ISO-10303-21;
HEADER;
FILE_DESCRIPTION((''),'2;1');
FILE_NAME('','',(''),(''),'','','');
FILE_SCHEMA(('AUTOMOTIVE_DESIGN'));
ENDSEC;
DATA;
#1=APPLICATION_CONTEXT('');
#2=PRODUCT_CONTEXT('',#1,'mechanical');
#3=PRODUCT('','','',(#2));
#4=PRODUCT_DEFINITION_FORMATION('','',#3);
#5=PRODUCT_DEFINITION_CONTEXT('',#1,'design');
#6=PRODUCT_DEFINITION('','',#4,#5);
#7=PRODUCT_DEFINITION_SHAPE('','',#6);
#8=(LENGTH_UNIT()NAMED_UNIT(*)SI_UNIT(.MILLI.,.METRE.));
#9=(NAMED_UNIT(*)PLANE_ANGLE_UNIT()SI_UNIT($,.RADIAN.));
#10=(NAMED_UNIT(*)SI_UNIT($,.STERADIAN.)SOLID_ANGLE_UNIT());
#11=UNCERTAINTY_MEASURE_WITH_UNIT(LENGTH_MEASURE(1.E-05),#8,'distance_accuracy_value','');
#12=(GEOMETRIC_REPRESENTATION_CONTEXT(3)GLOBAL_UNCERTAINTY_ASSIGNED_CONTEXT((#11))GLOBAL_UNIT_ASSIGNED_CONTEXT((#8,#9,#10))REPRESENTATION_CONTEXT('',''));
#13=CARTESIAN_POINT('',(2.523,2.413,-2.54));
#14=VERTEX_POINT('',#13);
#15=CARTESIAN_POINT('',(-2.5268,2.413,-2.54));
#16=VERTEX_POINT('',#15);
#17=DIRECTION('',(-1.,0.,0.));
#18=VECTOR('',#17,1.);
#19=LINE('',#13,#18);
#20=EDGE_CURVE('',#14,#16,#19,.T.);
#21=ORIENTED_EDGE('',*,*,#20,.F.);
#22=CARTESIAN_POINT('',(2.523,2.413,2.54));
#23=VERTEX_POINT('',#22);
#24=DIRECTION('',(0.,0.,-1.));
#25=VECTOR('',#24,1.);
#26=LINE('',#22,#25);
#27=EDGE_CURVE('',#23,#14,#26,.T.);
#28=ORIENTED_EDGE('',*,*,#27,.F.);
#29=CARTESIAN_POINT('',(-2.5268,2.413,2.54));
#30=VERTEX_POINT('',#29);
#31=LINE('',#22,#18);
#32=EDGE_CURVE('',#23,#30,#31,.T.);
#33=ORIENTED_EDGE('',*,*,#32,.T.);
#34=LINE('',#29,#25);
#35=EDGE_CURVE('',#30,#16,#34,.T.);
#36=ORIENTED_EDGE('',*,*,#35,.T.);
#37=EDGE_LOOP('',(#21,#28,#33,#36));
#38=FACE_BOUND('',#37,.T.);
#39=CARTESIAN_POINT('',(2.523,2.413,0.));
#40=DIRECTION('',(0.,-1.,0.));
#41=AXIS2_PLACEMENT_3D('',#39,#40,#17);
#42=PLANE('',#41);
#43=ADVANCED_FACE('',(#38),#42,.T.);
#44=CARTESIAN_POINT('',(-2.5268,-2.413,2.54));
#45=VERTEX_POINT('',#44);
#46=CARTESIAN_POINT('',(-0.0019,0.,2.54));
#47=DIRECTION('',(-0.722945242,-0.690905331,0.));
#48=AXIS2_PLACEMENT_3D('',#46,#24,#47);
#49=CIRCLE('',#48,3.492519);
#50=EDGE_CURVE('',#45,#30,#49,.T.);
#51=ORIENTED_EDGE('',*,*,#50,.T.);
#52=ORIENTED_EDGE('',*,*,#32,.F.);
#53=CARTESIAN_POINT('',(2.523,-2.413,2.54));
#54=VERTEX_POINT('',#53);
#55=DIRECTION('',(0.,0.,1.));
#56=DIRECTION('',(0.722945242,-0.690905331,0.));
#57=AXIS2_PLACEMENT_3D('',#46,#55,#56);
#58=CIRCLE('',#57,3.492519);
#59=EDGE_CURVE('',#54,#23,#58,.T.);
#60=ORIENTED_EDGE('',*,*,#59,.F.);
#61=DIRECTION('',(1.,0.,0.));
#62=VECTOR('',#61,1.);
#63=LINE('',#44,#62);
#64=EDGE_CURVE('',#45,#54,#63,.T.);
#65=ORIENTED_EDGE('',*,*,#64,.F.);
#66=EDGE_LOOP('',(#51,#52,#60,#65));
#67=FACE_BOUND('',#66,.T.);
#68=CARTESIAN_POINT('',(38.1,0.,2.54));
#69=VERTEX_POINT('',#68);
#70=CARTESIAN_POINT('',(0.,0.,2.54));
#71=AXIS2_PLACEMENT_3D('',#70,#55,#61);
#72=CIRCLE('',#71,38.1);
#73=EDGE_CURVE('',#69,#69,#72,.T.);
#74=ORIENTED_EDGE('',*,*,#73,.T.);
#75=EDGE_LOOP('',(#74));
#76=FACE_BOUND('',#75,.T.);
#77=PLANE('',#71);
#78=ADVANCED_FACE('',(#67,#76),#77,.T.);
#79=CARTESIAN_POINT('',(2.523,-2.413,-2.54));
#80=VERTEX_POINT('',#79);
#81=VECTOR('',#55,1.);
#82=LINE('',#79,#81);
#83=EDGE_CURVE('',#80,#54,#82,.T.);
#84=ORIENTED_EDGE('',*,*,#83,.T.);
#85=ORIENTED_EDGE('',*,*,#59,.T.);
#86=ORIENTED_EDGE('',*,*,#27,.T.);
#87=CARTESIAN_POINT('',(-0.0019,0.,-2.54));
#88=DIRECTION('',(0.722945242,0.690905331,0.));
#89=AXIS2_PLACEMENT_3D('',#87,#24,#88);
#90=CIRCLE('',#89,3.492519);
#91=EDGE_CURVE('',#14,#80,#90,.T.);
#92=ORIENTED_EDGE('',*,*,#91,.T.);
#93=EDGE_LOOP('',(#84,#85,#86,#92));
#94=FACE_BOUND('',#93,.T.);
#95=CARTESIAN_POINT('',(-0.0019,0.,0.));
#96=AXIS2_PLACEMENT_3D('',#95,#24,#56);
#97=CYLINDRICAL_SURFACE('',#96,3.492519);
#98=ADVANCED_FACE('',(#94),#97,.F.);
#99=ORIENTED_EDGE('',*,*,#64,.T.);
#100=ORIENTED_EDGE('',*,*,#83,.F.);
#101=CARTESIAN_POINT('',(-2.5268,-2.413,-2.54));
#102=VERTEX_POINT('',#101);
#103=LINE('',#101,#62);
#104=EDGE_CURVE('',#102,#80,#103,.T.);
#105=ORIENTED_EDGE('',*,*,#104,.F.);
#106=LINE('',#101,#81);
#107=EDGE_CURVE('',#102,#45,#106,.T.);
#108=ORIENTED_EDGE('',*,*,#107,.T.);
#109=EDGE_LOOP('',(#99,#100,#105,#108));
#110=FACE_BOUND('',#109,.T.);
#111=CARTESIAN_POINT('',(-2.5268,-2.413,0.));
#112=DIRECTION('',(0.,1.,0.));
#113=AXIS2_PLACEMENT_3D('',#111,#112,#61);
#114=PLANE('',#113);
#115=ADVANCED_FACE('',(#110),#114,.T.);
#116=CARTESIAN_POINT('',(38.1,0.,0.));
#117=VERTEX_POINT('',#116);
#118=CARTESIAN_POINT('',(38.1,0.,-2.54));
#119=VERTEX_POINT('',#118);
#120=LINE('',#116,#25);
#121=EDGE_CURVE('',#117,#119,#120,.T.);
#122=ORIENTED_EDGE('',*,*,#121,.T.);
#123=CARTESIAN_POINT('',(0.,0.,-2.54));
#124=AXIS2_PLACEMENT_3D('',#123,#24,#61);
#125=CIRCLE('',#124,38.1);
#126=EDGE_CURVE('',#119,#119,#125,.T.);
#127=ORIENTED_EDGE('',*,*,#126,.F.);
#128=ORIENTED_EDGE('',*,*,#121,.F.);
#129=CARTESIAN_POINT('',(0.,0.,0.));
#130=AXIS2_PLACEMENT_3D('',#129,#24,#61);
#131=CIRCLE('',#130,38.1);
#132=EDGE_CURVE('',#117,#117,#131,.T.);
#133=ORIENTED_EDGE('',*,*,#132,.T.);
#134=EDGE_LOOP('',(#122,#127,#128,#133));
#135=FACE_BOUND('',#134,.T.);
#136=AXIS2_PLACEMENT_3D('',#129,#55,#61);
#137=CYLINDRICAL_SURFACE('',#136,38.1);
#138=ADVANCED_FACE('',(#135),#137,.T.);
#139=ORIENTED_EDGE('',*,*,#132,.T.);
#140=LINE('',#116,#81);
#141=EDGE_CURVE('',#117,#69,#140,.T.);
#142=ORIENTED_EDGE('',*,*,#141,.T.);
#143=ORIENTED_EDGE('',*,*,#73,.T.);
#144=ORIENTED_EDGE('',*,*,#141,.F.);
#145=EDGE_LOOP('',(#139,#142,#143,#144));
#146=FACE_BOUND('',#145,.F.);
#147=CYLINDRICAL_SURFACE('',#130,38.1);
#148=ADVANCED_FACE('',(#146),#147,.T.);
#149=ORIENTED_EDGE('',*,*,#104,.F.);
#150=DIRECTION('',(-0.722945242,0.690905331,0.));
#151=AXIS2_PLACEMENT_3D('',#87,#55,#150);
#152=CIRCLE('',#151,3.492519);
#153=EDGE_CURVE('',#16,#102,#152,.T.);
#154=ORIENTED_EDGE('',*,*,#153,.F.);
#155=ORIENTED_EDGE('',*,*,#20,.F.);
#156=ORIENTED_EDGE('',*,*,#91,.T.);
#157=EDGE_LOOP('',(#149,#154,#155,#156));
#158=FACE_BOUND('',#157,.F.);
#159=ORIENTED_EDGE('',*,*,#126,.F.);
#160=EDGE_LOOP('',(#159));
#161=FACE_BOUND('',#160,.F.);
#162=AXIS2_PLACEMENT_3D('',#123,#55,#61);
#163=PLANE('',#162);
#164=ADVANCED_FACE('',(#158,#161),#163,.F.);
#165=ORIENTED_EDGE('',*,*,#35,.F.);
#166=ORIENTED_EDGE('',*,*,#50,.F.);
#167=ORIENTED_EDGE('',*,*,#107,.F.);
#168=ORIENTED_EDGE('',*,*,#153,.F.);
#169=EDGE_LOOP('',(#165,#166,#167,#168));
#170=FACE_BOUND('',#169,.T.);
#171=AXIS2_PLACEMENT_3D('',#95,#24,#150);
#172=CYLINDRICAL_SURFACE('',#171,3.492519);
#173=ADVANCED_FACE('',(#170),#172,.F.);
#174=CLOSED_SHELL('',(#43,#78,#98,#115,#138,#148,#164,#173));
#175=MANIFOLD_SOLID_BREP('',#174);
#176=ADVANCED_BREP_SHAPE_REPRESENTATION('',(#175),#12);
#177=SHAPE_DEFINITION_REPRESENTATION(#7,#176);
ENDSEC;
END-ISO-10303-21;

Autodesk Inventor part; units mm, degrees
ref_plane "YZ Plane" through (0, 0, 0) normal (1, 0, 0) x (0, 1, 0)
ref_plane "XZ Plane" through (0, 0, 0) normal (0, 1, 0) x (-1, 0, 0)
ref_plane "XY Plane" through (0, 0, 0) normal (0, 0, 1) x (1, 0, 0)
sketch "Sketch1" plane through (0, 0, 0) normal (0, 0, 1) x (1, 0, 0)
  circle A0 centre (0, 0) radius 38.1
  circle A1 centre (0, 0) radius 0.88
  line L0 (-2.5268, -2.413) -> (2.523, -2.413)
  line L1 (2.523, 2.413) -> (-2.5268, 2.413)
  line L2 (-53.34, 0) -> (53.34, 0) projected
  arc A2 (2.523, -2.413) -> (2.523, 2.413) centre (-0.0019, 0) ccw
  arc A3 (-2.5268, 2.413) -> (-2.5268, -2.413) centre (-0.0019, 0) ccw
  dimension "d0" = 76.2
  dimension "d1" = 1.76
  dimension "d4" = 2.413
  dimension "d6" = 3.4925
  dimension "d7" = 3.4925
  dimension "d8" = 5.0498
  dimension "d9" = 2.413
  dimension "d10" = 2.413
  dimension "d12" = 4.826
extrude "Extrusion3" add sketch "Sketch1" along normal mid plane 5.08 contours L2 A2 L1 A3 A0 | A0 L2 A3 L0 A2
sketch "Sketch3" plane through (0, 0, -2.54) normal (0, 0, -1) x (-1, 0, 0)
  arc A0 (-2.523, 2.413) -> (-2.523, -2.413) centre (0.0019, 0) ccw projected
  line L0 (-2.523, 2.413) -> (2.5268, 2.413) projected
  arc A1 (2.5268, -2.413) -> (2.5268, 2.413) centre (0.0019, 0) ccw projected
  line L1 (2.5268, -2.413) -> (-2.523, -2.413) projected
  circle A2 centre (0, 0) radius 38.1 projected
properties part number "WheelProj"
